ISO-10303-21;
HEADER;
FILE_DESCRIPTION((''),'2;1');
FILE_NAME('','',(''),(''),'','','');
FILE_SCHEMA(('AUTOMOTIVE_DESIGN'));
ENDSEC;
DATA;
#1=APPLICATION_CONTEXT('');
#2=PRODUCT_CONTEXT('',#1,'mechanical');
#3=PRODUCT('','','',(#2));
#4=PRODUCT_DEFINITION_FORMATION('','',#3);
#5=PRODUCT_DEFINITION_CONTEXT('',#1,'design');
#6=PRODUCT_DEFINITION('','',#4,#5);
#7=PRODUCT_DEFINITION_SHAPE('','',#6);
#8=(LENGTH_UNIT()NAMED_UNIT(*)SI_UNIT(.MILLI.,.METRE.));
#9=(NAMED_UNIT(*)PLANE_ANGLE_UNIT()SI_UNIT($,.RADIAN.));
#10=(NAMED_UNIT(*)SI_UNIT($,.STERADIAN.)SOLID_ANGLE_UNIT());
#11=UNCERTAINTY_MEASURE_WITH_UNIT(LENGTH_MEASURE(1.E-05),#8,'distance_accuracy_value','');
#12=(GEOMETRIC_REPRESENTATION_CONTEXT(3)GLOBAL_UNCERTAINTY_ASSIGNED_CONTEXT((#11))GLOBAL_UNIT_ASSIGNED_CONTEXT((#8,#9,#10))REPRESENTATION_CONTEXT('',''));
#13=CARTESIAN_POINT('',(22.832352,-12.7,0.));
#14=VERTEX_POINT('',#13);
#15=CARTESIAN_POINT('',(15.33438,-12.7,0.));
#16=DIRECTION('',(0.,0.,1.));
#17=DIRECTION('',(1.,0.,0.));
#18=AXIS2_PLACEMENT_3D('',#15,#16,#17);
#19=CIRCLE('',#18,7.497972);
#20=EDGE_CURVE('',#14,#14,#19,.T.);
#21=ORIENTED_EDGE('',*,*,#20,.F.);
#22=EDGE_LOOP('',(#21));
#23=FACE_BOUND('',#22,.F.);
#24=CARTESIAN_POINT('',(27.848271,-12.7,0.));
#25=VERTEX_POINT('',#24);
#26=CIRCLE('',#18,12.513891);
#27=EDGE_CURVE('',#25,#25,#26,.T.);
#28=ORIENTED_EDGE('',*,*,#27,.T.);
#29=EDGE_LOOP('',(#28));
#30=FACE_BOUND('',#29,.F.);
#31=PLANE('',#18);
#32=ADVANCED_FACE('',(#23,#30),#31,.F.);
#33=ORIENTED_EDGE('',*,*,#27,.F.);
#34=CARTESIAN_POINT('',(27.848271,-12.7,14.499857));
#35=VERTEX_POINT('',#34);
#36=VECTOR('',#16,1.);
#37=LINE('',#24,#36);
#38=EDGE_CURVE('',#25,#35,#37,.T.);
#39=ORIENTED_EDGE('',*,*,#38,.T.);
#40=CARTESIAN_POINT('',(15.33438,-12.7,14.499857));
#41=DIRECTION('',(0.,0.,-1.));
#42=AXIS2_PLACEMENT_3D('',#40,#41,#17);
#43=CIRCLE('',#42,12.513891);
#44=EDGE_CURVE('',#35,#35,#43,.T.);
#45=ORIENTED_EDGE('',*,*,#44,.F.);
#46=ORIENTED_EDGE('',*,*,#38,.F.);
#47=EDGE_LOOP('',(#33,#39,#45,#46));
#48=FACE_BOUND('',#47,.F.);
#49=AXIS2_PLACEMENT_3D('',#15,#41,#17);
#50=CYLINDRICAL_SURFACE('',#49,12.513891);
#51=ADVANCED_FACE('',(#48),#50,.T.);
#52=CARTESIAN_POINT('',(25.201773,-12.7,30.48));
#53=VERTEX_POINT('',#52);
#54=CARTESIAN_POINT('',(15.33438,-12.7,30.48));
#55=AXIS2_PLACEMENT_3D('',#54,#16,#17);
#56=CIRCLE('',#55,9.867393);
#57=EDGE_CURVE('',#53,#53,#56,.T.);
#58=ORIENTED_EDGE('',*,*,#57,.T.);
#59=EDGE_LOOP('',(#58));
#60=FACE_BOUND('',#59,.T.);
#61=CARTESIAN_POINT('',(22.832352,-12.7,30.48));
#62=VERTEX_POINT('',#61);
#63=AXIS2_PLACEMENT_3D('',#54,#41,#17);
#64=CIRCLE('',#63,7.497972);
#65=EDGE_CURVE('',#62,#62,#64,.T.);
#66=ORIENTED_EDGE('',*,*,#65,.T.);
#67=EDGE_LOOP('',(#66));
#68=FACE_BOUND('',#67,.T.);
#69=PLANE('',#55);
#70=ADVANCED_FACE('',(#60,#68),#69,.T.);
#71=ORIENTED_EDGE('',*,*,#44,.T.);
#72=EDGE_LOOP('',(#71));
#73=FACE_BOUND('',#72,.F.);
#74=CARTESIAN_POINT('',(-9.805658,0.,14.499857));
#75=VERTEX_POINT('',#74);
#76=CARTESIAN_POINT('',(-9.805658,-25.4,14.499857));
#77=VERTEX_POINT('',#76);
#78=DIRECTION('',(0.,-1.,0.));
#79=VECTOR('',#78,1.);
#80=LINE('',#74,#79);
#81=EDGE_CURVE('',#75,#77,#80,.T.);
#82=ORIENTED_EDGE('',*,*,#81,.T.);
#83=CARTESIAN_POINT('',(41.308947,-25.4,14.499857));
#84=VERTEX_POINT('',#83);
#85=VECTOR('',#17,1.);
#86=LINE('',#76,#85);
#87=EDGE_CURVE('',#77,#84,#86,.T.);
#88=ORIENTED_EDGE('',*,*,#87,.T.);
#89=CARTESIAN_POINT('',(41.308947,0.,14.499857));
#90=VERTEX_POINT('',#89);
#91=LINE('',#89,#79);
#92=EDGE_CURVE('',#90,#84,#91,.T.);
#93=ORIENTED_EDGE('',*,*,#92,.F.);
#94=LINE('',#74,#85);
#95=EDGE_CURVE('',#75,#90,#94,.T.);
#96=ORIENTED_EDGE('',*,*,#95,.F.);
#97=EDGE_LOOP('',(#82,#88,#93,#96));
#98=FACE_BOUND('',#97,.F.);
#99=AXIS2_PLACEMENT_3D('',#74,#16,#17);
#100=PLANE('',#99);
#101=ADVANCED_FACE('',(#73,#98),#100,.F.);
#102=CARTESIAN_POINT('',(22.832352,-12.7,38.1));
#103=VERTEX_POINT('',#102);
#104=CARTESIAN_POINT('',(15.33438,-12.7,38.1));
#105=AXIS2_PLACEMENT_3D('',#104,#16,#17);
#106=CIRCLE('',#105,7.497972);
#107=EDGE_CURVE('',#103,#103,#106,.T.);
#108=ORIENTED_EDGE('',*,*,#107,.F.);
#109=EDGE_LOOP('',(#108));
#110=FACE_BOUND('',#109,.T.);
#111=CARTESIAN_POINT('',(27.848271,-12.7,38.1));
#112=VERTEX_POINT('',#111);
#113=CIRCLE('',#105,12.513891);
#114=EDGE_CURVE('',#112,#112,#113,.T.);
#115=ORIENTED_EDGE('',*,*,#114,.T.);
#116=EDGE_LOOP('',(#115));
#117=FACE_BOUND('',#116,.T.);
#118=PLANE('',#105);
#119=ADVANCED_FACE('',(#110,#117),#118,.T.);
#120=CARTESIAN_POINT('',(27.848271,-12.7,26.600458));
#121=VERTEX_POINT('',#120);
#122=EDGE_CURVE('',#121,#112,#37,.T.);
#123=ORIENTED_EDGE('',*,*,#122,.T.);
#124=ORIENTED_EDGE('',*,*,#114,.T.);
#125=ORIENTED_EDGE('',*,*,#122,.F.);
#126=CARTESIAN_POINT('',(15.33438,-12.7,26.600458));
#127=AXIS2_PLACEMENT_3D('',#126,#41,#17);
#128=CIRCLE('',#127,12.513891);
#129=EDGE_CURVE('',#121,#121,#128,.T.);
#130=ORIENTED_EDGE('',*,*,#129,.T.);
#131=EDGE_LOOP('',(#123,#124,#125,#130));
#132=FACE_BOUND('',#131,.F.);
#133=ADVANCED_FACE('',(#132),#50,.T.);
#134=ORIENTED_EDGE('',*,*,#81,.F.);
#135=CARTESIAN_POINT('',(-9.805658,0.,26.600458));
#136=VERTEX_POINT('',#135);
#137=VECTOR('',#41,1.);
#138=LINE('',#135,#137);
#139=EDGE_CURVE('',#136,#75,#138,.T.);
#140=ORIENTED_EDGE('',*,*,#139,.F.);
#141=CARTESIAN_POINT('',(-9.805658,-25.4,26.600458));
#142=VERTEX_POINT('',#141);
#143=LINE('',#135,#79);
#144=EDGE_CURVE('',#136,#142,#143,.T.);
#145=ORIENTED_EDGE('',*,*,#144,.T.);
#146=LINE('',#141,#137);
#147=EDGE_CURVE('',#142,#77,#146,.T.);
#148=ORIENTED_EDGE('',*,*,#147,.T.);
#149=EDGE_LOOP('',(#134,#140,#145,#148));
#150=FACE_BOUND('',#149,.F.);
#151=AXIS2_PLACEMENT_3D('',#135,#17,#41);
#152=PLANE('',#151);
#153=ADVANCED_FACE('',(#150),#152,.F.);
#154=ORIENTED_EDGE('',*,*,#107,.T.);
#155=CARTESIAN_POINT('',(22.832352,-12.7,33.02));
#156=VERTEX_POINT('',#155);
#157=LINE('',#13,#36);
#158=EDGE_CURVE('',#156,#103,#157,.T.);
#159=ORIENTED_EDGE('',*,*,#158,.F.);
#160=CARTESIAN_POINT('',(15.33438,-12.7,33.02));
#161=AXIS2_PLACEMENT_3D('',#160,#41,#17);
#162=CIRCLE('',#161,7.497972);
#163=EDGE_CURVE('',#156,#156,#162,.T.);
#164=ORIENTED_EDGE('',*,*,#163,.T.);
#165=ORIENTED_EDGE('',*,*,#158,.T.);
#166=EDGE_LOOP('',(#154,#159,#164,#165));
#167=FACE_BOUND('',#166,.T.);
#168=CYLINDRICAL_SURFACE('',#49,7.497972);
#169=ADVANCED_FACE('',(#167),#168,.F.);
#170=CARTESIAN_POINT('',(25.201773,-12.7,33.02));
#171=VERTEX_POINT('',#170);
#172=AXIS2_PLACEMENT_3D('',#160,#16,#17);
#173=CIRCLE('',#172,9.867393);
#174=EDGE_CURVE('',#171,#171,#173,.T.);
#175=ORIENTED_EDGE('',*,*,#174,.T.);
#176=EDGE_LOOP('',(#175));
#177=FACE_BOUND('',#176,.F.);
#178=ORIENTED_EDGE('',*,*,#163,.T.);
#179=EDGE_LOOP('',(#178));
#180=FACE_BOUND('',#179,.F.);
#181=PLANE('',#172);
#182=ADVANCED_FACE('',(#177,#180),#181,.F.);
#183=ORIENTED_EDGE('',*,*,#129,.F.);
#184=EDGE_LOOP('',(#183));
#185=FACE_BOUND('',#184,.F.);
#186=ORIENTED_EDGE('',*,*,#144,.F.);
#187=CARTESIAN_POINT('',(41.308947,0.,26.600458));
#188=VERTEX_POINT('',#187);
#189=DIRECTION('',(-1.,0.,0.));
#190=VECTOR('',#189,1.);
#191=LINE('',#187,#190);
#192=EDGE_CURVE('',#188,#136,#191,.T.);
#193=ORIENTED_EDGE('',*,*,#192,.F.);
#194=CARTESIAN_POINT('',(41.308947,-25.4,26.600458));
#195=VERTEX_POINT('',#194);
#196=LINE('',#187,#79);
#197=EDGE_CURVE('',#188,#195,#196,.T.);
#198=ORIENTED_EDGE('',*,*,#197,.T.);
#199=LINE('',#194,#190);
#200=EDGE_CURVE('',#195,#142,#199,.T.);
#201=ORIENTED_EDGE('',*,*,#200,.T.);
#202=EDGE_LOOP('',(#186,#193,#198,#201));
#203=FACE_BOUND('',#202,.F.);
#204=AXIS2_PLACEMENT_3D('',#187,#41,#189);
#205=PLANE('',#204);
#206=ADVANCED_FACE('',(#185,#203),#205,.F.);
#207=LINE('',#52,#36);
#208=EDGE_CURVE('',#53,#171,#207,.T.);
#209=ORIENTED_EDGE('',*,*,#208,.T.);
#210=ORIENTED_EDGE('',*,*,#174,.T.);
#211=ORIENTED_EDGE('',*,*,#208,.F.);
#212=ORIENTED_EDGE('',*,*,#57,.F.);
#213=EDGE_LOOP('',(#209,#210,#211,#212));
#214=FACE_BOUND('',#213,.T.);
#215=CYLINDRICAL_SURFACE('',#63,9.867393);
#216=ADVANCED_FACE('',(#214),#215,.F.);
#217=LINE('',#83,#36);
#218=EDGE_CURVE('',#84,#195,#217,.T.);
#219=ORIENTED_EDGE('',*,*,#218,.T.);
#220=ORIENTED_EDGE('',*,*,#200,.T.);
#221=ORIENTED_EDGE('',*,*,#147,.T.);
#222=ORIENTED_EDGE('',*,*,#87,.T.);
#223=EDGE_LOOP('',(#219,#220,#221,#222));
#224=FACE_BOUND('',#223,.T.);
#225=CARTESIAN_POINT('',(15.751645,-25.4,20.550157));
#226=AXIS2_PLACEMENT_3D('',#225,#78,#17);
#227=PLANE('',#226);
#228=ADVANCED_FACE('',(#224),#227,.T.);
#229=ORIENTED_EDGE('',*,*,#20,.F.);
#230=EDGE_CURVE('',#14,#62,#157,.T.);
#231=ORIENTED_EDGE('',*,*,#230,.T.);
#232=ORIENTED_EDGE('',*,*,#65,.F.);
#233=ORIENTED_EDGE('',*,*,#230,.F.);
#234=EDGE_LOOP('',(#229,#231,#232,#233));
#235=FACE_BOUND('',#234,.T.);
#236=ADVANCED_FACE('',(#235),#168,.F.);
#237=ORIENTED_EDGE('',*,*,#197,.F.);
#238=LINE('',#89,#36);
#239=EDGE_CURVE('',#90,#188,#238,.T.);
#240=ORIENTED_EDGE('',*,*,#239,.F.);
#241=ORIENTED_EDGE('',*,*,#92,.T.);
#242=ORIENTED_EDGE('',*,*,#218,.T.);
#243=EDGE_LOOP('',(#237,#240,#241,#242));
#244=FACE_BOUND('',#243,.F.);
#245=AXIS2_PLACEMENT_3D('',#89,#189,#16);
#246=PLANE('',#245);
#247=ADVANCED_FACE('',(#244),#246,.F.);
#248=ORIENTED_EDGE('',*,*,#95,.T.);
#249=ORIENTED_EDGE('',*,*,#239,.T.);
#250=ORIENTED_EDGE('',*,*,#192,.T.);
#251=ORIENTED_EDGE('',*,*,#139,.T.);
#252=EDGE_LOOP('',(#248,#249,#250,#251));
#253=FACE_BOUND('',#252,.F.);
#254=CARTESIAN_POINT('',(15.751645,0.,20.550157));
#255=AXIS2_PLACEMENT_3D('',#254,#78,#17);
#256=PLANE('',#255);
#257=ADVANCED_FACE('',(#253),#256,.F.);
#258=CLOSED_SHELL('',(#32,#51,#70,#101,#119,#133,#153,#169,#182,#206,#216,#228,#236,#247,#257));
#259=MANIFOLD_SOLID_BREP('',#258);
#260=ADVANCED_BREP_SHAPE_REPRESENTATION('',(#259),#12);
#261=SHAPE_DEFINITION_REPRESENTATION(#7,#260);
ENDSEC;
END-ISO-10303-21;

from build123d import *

# Parameters (mm, degrees)
F1_DEPTH = 25.4
F2_R     = 12.5138914525
F2_R_2   = 7.4979718204
F3_DEPTH = 38.1
F5_START = 30.48
F4_R     = 9.8673928173
F5_DEPTH = 2.54
F6_R     = 7.4979718204
F7_DEPTH = 38.101


with BuildPart() as f1:
    # F0 (on Front) → F1 (new body)
    with BuildSketch(Plane.XZ):
        Polygon((-9.8056579009, 14.4998570904), (0, 14.4998570904), (31.5032890067, 14.4998570904), (41.3089469075, 14.4998570904), (41.3089469075, 26.6004577279), (31.5032890067, 26.6004577279), (0, 26.6004577279), (-9.8056579009, 26.6004577279), align=None)
    extrude(amount=F1_DEPTH)

    # F2 (on Top) → F3 (join)
    with BuildSketch(Plane.XY):
        with Locations((15.3343798593, -12.7)):
            Circle(F2_R)
        with Locations((15.3343798593, -12.7)):
            Circle(F2_R_2, mode=Mode.SUBTRACT)
    extrude(amount=F3_DEPTH)

    # F4 (on Top) → F5 (cut)
    with BuildSketch(Plane.XY.offset(F5_START)):
        with Locations((15.3343798593, -12.7)):
            Circle(F4_R)
    extrude(amount=F5_DEPTH, mode=Mode.SUBTRACT)

    # F6 (on Top) → F7 (cut, through all)
    with BuildSketch(Plane.XY):
        with Locations((15.3343798593, -12.7)):
            Circle(F6_R)
    extrude(amount=F7_DEPTH, mode=Mode.SUBTRACT)


solid = f1.part
